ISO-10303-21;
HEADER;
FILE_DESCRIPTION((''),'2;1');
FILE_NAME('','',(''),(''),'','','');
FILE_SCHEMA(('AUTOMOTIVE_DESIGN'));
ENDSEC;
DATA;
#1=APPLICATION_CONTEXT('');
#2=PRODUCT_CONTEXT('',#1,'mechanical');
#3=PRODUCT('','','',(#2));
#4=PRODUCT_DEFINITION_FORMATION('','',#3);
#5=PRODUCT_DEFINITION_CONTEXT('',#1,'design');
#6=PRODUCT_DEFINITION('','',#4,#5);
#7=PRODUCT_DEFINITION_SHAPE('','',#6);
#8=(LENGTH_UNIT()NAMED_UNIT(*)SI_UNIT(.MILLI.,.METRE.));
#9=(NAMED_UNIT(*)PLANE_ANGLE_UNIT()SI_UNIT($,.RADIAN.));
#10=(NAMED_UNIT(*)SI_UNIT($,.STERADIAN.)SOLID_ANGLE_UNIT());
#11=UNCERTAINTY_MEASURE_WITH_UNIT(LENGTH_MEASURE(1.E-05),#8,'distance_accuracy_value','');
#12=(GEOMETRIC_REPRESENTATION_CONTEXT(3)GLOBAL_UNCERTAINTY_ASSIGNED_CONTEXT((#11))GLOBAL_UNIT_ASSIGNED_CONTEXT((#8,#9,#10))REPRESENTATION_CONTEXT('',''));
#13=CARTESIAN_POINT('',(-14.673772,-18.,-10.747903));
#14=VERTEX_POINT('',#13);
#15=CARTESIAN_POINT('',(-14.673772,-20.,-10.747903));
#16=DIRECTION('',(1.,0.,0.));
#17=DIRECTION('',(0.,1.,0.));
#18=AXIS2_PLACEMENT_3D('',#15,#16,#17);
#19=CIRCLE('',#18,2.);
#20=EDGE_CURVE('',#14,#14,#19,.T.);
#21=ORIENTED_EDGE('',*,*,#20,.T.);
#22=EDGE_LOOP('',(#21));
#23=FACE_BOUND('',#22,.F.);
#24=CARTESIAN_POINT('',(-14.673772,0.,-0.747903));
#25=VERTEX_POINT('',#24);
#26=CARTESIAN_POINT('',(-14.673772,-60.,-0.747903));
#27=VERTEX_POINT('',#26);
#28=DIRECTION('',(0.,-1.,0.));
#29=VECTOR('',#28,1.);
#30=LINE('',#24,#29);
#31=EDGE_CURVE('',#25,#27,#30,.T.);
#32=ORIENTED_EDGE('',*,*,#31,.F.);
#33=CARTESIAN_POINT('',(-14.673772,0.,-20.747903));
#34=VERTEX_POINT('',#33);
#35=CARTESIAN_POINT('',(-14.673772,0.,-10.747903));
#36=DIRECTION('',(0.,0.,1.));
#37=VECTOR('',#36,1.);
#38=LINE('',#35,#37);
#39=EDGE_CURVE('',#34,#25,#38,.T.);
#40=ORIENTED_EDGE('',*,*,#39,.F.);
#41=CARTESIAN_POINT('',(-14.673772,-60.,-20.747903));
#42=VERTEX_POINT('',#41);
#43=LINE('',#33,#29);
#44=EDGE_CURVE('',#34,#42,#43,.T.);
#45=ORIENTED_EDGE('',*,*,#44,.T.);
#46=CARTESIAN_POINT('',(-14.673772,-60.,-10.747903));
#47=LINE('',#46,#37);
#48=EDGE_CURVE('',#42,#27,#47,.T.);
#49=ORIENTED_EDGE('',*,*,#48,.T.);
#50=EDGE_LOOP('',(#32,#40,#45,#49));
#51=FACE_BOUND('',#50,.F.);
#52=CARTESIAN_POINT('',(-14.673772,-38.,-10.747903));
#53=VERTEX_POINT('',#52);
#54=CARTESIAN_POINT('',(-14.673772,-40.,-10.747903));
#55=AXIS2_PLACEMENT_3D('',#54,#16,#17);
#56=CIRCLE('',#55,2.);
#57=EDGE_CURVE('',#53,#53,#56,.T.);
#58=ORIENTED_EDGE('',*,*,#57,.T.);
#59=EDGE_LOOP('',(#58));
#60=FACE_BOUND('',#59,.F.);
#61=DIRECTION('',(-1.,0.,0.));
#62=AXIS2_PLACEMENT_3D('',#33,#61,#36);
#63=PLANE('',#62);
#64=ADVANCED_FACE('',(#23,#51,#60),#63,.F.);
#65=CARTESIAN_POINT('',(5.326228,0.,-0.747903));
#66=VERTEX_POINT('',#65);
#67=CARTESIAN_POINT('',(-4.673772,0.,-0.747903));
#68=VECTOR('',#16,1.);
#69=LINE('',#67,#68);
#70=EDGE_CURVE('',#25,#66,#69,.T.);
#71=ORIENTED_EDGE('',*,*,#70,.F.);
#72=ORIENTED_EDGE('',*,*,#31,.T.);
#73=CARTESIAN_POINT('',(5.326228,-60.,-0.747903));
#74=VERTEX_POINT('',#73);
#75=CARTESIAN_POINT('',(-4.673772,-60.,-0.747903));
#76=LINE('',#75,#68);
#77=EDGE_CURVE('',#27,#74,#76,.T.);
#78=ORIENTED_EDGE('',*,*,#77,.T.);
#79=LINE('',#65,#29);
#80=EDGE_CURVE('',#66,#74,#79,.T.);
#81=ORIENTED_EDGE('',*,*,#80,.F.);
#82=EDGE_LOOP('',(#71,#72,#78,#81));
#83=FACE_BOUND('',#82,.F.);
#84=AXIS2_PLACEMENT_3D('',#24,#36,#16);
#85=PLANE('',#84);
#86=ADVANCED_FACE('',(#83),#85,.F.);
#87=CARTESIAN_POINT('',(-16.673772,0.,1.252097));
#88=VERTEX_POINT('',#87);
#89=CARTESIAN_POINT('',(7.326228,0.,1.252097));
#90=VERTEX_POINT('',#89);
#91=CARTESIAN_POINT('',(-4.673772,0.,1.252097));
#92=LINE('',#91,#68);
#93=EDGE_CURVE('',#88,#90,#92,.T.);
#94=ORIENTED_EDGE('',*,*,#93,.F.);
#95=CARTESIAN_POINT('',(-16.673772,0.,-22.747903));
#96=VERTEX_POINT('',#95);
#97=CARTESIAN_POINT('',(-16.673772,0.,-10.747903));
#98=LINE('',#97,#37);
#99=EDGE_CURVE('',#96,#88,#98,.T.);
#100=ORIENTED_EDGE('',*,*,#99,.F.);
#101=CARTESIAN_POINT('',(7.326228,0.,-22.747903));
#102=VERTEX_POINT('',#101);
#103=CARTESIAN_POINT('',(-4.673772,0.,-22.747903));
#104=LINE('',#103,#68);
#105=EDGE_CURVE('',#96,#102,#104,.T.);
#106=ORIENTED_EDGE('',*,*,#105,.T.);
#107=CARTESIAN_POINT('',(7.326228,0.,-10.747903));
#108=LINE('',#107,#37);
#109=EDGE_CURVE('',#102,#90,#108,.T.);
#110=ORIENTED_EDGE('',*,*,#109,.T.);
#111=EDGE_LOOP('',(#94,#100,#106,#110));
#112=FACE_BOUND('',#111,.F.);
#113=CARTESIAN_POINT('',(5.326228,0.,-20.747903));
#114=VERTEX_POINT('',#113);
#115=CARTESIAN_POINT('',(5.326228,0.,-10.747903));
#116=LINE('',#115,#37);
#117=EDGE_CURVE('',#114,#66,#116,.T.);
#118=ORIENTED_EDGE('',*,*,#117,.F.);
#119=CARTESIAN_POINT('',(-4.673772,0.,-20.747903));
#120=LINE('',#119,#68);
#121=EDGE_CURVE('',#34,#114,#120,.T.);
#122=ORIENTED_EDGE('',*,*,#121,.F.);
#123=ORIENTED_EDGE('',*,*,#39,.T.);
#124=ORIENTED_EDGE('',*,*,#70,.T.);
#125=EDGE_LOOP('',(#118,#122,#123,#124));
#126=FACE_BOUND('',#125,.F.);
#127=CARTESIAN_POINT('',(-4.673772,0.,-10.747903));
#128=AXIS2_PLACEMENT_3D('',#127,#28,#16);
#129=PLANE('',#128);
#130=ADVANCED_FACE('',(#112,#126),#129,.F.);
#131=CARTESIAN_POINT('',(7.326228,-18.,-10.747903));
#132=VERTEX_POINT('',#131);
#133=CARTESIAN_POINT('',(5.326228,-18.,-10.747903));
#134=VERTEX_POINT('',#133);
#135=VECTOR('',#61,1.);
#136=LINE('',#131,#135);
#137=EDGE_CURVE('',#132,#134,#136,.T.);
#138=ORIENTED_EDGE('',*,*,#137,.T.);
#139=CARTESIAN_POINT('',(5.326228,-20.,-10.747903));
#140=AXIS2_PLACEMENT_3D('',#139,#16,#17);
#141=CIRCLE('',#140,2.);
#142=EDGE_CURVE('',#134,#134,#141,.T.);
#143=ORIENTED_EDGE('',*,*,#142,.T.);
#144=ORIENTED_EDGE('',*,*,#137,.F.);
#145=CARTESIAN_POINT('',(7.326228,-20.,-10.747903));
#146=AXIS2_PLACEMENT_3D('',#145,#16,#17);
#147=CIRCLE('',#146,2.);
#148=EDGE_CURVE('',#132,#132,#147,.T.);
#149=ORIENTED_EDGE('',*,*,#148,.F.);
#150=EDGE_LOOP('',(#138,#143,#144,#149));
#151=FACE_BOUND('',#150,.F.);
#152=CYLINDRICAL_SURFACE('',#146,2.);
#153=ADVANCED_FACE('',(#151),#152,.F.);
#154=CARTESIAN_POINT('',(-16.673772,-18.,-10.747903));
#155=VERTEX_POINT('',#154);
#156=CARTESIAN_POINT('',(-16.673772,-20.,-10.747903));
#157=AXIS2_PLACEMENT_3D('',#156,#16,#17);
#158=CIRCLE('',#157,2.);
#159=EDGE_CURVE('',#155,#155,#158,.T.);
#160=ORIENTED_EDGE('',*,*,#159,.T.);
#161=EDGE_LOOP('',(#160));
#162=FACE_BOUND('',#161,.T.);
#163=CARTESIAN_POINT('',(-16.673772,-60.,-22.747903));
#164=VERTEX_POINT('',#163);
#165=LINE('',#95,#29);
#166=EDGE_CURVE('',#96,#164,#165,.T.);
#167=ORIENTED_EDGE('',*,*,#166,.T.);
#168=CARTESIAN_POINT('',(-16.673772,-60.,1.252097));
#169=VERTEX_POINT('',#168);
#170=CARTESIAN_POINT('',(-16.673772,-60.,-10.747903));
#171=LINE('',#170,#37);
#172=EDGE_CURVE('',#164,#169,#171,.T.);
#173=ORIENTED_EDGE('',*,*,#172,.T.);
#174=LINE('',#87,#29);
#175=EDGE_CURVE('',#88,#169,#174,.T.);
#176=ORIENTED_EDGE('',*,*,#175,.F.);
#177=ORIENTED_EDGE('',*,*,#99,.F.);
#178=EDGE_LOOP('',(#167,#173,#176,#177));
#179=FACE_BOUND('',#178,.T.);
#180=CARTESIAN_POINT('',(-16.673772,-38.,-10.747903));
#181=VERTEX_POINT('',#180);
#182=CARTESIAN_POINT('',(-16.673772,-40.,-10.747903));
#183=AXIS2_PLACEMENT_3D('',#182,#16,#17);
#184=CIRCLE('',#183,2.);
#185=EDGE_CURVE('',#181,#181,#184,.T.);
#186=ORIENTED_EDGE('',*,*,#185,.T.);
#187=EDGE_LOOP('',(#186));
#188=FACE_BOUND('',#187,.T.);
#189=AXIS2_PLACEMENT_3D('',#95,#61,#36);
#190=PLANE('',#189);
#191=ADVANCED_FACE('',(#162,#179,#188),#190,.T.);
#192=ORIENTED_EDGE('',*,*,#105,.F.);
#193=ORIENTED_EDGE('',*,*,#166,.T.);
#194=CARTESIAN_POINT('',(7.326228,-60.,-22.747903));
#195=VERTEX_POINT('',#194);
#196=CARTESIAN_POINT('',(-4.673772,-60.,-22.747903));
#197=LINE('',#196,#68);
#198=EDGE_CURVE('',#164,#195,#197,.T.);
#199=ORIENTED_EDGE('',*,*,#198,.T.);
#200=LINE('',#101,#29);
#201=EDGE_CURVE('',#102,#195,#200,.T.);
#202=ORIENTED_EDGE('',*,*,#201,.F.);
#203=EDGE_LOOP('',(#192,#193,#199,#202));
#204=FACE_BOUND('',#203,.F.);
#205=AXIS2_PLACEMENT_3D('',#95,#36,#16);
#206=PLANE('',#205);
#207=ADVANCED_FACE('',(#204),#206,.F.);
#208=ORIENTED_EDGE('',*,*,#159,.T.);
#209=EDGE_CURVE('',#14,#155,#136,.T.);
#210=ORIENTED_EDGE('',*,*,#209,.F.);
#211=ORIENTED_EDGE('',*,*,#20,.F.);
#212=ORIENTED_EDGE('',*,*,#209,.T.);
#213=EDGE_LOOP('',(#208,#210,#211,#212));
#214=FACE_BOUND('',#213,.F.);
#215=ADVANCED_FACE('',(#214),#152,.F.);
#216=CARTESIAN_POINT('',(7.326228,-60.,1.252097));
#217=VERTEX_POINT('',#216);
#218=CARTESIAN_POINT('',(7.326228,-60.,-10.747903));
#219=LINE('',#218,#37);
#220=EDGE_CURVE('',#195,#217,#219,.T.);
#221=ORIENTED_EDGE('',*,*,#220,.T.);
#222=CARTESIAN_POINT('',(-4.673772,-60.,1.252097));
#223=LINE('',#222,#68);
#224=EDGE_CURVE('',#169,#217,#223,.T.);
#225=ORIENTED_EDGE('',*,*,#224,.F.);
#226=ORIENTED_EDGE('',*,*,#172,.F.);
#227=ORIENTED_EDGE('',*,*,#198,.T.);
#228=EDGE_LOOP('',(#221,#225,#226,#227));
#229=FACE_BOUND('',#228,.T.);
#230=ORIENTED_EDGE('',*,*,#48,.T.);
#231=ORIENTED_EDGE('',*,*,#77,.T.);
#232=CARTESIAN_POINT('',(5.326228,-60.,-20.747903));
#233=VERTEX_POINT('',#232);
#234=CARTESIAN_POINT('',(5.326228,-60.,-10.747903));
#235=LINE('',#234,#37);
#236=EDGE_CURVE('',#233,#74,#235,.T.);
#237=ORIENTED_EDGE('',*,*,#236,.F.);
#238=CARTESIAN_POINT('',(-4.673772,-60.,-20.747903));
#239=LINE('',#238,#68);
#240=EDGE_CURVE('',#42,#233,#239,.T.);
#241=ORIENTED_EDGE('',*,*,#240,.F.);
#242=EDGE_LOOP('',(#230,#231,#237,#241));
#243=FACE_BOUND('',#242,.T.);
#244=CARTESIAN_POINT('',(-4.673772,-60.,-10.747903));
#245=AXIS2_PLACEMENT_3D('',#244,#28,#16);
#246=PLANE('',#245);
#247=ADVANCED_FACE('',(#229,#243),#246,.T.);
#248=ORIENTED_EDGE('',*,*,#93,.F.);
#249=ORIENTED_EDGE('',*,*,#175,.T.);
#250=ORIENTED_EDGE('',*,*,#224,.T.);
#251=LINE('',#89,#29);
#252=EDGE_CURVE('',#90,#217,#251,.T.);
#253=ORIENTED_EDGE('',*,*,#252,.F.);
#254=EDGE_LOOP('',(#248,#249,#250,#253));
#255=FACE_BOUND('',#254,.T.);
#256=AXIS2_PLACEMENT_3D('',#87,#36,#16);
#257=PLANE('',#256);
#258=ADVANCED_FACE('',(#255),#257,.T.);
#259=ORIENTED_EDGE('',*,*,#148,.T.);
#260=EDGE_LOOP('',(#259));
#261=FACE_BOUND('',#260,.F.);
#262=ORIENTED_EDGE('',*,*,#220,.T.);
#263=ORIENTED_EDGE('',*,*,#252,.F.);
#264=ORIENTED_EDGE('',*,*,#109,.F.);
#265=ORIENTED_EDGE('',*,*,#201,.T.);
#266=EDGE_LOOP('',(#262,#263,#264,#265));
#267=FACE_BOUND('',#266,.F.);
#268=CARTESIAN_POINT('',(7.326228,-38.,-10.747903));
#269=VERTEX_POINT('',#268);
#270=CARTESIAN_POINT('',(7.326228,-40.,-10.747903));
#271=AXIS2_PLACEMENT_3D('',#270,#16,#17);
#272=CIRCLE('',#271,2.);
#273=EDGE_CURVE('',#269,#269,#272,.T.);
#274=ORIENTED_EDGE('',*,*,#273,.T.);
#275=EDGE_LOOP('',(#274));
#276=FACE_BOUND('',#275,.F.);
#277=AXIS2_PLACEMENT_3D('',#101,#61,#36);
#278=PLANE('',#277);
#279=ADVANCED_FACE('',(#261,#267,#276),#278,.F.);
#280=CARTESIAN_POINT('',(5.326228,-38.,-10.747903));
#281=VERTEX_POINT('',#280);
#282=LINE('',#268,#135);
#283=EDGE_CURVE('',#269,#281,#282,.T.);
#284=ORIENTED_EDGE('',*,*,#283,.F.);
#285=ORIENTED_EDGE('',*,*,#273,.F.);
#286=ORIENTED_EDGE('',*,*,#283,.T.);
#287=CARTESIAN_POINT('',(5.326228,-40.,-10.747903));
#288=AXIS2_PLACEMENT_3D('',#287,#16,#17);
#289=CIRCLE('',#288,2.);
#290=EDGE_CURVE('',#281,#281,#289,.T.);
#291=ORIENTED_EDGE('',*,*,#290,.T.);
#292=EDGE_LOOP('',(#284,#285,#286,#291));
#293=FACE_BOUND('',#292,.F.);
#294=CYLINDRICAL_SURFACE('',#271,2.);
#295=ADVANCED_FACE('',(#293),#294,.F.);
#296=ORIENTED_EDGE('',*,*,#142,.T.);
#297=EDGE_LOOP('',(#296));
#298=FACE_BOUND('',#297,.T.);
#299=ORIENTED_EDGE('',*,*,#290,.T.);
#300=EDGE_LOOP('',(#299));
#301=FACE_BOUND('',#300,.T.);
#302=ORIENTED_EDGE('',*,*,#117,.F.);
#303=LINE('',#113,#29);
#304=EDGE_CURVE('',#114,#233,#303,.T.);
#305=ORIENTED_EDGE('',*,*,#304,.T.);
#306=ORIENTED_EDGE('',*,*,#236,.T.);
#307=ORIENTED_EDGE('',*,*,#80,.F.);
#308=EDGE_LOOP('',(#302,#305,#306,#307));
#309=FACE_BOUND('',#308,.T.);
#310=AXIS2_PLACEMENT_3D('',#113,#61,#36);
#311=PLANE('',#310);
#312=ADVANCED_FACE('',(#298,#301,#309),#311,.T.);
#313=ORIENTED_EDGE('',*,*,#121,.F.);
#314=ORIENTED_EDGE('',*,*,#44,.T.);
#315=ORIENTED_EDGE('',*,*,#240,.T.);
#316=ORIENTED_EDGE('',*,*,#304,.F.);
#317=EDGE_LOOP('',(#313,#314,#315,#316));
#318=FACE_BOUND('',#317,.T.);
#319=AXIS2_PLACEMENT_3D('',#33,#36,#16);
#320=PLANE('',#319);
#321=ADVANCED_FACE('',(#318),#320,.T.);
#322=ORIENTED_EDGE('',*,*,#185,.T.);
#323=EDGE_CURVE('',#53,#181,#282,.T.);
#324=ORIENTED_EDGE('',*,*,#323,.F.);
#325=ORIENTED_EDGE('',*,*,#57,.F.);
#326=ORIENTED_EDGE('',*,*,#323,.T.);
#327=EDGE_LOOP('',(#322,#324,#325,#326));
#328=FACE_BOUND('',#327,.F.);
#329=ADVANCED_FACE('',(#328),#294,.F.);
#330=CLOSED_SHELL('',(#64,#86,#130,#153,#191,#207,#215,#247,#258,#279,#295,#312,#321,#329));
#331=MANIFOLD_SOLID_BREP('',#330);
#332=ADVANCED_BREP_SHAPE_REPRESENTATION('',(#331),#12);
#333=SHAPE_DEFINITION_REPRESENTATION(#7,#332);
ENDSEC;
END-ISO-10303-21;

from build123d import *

# Parameters (mm, degrees)
F0_W     = 24
F0_H     = 24
F0_W_2   = 20
F0_H_2   = 20
F1_DEPTH = 60
F2_R     = 2
F3_DEPTH = 25


with BuildPart() as f1:
    # F0 (on Front) → F1 (new body)
    with BuildSketch(Plane.XZ):
        with Locations((-4.673772, -10.747903)):
            Rectangle(F0_W, F0_H)
        with Locations((-4.673772, -10.747903)):
            Rectangle(F0_W_2, F0_H_2, mode=Mode.SUBTRACT)
    extrude(amount=F1_DEPTH)

    # F2 (on face) → F3 (cut)
    with BuildSketch(Plane.YZ.offset(7.326228)):
        with Locations((-40, -10.747903)):
            Circle(F2_R)
        with Locations((-20, -10.747903)):
            Circle(F2_R)
    extrude(amount=-F3_DEPTH, mode=Mode.SUBTRACT)


solid = f1.part
